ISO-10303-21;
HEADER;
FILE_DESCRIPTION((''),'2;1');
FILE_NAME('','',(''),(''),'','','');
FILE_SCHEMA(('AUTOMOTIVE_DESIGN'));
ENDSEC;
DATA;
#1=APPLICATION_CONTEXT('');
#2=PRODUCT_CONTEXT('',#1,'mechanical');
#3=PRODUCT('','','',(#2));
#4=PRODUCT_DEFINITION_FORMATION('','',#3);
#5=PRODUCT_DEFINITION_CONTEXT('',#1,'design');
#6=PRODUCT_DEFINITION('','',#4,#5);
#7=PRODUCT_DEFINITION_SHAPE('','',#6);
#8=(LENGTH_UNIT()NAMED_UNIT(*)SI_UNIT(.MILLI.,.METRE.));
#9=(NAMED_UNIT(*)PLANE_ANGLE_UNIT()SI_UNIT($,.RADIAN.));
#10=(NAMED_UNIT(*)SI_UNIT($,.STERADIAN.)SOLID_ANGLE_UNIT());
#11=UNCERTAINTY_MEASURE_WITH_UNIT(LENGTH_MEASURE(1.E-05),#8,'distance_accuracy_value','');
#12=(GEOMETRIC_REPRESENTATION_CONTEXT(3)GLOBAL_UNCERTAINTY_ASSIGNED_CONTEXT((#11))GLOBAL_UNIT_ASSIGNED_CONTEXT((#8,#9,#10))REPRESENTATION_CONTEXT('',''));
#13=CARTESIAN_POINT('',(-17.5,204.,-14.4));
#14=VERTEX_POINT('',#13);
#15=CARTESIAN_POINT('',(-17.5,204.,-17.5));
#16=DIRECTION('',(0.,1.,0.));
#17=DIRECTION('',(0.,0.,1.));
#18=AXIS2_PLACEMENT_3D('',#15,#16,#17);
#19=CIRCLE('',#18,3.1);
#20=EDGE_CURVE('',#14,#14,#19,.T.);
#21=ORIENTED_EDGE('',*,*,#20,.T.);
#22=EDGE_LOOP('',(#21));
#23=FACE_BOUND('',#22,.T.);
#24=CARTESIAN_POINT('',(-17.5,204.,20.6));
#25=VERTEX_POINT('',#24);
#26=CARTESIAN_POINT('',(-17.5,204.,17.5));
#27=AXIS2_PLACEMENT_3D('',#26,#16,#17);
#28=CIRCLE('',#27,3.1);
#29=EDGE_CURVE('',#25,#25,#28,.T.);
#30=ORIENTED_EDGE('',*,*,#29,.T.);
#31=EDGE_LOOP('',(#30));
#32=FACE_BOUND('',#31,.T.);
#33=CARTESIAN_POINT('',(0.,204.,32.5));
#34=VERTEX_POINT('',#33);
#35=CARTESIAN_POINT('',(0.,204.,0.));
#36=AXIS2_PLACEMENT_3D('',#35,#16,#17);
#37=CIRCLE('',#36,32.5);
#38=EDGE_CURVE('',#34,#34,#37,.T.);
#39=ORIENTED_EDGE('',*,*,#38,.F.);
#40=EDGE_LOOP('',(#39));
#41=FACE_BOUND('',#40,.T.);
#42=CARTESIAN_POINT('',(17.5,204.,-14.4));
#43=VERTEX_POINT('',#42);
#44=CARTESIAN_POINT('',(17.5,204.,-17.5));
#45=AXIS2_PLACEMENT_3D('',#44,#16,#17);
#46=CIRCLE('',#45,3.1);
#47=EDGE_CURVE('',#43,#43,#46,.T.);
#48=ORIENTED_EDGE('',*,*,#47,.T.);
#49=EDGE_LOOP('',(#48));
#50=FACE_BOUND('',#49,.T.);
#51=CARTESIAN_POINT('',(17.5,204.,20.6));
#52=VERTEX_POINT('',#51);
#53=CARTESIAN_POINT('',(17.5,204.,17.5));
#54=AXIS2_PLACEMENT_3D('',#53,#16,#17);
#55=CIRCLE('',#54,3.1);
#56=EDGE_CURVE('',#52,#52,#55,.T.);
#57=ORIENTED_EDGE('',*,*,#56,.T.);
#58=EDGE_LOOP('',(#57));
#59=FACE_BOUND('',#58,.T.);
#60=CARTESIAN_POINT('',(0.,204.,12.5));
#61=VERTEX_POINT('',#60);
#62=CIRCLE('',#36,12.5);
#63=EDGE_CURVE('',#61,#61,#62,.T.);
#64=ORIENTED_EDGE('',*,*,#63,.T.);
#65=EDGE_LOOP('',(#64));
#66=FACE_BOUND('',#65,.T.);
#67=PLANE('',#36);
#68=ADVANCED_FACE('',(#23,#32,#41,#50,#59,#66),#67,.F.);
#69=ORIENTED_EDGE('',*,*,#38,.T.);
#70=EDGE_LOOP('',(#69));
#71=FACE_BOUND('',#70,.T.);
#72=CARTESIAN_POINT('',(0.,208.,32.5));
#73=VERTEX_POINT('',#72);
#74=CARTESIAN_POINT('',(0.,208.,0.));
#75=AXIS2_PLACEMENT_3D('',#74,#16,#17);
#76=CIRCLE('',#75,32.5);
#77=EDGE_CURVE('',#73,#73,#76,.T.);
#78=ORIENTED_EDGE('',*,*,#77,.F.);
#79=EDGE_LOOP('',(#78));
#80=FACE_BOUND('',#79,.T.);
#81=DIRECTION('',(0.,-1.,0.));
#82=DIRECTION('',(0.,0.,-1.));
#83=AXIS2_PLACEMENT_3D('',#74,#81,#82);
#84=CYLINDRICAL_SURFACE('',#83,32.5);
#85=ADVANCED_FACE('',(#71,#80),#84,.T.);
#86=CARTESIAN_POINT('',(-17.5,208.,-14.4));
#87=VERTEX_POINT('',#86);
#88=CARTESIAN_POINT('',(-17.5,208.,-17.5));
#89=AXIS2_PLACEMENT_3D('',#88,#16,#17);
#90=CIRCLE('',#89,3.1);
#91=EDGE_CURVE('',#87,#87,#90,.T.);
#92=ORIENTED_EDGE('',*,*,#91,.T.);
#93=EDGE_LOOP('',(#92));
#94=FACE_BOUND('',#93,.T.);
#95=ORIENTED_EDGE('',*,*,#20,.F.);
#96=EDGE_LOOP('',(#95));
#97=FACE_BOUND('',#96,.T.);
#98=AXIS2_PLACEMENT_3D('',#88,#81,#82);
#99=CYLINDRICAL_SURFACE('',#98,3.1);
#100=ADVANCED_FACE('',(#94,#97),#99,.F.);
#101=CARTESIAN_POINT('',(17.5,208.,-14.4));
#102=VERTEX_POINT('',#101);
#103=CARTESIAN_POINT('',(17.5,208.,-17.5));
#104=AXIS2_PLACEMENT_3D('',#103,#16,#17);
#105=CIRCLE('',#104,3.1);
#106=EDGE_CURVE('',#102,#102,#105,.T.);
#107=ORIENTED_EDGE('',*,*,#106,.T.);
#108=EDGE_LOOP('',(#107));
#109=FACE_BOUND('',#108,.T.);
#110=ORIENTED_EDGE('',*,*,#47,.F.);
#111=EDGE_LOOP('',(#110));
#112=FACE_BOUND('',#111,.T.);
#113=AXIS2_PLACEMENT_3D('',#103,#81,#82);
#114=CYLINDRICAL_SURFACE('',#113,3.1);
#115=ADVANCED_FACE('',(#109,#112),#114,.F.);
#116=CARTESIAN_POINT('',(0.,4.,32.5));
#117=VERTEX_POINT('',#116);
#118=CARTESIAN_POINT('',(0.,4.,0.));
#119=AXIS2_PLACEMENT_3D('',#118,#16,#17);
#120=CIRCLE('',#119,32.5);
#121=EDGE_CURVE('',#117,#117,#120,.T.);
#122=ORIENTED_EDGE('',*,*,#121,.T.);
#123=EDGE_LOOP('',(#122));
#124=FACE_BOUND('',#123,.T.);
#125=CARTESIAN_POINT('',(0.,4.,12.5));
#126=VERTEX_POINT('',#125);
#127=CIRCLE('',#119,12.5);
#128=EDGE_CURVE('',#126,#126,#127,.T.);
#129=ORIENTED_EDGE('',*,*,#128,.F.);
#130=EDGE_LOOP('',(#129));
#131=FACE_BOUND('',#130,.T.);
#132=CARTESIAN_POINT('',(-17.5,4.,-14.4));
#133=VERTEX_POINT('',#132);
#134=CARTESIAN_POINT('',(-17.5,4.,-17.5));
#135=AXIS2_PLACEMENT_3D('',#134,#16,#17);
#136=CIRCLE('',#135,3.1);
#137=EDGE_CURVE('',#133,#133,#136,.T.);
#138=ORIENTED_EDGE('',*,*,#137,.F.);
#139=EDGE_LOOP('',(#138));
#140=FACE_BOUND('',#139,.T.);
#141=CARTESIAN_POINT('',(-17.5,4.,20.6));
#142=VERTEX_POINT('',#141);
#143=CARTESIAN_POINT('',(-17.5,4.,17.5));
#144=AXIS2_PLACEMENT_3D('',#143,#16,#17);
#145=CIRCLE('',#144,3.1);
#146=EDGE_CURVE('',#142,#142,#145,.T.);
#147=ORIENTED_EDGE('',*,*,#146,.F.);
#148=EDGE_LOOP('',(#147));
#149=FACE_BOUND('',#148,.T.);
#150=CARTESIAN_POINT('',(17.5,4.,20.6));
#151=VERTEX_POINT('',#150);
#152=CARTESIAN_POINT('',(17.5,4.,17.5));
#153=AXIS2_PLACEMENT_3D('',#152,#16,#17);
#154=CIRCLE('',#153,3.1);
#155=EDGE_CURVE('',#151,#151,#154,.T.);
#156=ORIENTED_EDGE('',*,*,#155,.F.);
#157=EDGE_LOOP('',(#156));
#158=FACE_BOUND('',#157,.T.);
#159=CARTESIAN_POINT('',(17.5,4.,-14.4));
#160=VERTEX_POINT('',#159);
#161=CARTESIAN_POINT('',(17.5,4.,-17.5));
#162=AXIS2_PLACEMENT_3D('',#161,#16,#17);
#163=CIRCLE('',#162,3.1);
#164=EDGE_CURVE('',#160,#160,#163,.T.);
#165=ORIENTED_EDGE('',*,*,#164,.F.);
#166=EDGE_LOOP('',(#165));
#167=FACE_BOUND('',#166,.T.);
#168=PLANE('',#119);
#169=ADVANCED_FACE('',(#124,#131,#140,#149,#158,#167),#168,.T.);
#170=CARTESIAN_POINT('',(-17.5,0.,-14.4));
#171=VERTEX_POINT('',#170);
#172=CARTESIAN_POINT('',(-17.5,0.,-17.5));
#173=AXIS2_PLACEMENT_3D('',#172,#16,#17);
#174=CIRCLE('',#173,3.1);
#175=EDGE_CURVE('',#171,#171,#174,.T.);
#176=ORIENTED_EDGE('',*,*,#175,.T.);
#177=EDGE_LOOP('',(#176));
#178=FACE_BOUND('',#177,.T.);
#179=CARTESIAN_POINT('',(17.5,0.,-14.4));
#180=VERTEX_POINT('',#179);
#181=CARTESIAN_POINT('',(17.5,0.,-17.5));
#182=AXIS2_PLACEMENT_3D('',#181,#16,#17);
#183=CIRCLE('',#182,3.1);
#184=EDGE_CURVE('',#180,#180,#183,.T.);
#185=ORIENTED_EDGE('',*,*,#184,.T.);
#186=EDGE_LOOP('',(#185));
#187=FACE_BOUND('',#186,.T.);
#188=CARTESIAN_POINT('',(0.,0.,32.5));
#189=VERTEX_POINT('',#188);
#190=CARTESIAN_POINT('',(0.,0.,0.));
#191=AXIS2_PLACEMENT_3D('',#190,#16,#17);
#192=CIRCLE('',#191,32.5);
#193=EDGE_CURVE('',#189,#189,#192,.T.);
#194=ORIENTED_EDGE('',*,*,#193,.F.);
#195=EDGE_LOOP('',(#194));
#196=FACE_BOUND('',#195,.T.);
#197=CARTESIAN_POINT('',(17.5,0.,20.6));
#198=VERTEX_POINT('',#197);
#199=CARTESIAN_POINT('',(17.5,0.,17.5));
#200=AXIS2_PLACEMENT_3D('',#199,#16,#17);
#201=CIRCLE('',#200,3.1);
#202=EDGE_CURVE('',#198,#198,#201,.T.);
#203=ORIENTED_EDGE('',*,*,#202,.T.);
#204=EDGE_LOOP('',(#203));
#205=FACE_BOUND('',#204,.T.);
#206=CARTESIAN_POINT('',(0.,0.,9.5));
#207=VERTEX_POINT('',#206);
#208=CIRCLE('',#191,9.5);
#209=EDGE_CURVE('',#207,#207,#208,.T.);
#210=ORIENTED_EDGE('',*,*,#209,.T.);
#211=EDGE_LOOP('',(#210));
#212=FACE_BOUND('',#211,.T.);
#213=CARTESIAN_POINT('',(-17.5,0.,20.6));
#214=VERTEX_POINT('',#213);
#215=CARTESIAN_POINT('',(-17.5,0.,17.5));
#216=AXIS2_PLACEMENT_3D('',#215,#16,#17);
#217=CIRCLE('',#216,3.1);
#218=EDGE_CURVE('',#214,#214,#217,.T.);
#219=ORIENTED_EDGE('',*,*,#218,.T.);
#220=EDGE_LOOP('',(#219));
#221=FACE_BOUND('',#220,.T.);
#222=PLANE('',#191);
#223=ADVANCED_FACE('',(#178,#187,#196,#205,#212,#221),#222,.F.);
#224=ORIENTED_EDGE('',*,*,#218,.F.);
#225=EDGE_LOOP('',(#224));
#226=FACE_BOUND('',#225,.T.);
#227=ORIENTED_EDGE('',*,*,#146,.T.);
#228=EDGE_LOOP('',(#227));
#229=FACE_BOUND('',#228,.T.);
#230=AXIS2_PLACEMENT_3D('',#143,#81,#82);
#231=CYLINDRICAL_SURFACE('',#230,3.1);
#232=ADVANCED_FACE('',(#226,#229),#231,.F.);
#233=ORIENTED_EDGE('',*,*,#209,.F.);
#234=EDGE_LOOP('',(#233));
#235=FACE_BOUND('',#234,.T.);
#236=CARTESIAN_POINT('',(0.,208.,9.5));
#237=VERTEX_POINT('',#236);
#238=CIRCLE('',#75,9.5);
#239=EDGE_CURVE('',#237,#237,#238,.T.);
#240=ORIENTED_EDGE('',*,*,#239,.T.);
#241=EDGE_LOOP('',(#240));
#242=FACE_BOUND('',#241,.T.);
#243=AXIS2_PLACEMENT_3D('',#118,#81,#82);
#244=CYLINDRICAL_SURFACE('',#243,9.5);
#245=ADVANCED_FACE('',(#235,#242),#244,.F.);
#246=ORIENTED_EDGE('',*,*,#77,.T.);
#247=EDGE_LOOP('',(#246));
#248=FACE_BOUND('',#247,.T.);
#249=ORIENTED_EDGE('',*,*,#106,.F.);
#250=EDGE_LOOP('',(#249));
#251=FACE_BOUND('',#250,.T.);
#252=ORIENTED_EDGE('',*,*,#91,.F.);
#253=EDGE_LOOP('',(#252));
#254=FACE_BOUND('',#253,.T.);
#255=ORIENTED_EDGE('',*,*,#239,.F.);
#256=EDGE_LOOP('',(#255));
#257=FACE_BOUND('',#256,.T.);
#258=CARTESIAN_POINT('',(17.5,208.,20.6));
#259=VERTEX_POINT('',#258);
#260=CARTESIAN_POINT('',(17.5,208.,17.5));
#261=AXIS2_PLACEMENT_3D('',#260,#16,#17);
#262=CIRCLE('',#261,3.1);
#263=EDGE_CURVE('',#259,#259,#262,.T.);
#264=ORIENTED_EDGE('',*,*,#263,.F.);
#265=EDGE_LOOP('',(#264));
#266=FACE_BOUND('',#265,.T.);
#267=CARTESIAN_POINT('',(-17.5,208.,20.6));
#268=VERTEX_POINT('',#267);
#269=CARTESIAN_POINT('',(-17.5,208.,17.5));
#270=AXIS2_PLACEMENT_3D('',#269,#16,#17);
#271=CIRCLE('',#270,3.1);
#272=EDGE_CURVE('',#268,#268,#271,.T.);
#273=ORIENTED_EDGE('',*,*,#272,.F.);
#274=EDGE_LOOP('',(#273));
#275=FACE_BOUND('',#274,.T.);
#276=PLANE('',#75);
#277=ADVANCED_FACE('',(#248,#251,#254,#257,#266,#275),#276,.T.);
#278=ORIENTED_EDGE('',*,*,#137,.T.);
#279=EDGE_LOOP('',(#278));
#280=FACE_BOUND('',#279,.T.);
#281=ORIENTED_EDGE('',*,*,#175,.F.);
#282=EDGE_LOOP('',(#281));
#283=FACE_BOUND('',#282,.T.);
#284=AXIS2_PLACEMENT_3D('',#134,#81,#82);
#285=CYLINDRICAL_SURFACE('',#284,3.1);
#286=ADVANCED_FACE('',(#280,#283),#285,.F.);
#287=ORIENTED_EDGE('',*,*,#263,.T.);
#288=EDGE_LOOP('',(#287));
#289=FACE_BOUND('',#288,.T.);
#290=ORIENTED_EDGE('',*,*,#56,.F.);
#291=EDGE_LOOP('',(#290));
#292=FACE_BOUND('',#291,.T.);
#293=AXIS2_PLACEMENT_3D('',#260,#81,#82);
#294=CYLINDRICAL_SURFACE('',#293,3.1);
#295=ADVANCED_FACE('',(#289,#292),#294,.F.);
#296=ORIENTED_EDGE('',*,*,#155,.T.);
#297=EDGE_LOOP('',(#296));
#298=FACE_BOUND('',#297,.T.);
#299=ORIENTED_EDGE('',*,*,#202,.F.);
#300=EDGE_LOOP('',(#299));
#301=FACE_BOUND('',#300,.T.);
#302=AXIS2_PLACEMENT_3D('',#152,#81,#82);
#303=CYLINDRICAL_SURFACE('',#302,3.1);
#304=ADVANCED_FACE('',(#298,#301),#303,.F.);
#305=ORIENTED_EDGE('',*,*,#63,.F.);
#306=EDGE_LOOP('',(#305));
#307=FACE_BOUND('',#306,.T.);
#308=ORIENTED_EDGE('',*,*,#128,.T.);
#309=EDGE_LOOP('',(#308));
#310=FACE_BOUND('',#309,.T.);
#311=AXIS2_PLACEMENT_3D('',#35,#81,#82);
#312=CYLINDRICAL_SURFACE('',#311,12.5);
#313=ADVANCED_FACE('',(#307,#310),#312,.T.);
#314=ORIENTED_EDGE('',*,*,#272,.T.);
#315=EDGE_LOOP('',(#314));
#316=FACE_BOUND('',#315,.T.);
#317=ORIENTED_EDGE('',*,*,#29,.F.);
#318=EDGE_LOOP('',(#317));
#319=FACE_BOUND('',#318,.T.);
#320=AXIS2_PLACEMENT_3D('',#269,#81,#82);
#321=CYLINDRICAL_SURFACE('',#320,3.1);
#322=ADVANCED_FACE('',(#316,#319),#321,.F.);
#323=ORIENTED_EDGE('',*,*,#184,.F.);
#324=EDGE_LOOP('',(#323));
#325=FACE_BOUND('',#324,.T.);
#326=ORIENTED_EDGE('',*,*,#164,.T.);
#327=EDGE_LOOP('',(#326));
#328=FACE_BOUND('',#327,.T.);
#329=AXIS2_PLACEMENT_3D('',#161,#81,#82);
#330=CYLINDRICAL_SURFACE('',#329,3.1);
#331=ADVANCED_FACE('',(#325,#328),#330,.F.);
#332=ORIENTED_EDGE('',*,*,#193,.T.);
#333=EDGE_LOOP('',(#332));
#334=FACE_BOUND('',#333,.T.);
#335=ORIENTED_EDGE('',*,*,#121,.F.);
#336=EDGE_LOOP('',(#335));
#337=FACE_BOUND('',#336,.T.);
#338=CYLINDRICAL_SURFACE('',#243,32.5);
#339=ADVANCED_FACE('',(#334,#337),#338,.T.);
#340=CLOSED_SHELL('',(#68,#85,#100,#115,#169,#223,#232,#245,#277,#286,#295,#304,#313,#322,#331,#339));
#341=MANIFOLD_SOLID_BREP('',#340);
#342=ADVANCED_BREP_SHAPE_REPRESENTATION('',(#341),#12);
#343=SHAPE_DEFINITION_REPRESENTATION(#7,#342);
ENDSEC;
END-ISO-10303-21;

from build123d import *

# Parameters (mm, degrees)
SKETCH1_R           = 32.5
SKETCH1_R_2         = 9.5
SKETCH1_R_3         = 3.1
BOSS_EXTRUDE1_DEPTH = 4
SKETCH2_R           = 12.5
SKETCH2_R_2         = 9.5
BOSS_EXTRUDE2_DEPTH = 200
SKETCH3_R           = 32.5
SKETCH3_R_2         = 3.1
SKETCH3_R_3         = 9.5
BOSS_EXTRUDE3_DEPTH = 4


with BuildPart() as part:
    # Sketch1 → Boss-Extrude1 (new body)
    with BuildSketch(Plane(origin=(0, 0, 0), x_dir=(1, 0, 0), z_dir=(0, 1, 0))):
        with Locations(Location((0, 0, 0), (0, 0, 270))):
            Circle(SKETCH1_R)
        with Locations(Location((0, 0, 0), (0, 0, 270))):
            Circle(SKETCH1_R_2, mode=Mode.SUBTRACT)
        with Locations(Location((-17.5, 17.5, 0), (0, 0, 270))):
            Circle(SKETCH1_R_3, mode=Mode.SUBTRACT)
        with Locations(Location((17.5, 17.5, 0), (0, 0, 270))):
            Circle(SKETCH1_R_3, mode=Mode.SUBTRACT)
        with Locations(Location((17.5, -17.5, 0), (0, 0, 270))):
            Circle(SKETCH1_R_3, mode=Mode.SUBTRACT)
        with Locations(Location((-17.5, -17.5, 0), (0, 0, 270))):
            Circle(SKETCH1_R_3, mode=Mode.SUBTRACT)
    extrude(amount=BOSS_EXTRUDE1_DEPTH)

    # Sketch2 → Boss-Extrude2 (add)
    with BuildSketch(Plane(origin=(0, 4, 0), x_dir=(1, 0, 0), z_dir=(0, 1, 0))):
        with Locations(Location((0, 0, 0), (0, 0, 270))):
            Circle(SKETCH2_R)
        with Locations(Location((0, 0, 0), (0, 0, 270))):
            Circle(SKETCH2_R_2, mode=Mode.SUBTRACT)
    extrude(amount=BOSS_EXTRUDE2_DEPTH)

    # Sketch3 → Boss-Extrude3 (add)
    with BuildSketch(Plane(origin=(0, 204, 0), x_dir=(1, 0, 0), z_dir=(0, 1, 0))):
        with Locations(Location((0, 0, 0), (0, 0, 270))):
            Circle(SKETCH3_R)
        with Locations(Location((-17.5, 17.5, 0), (0, 0, 270))):
            Circle(SKETCH3_R_2, mode=Mode.SUBTRACT)
        with Locations(Location((17.5, 17.5, 0), (0, 0, 270))):
            Circle(SKETCH3_R_2, mode=Mode.SUBTRACT)
        with Locations(Location((17.5, -17.5, 0), (0, 0, 270))):
            Circle(SKETCH3_R_2, mode=Mode.SUBTRACT)
        with Locations(Location((-17.5, -17.5, 0), (0, 0, 270))):
            Circle(SKETCH3_R_2, mode=Mode.SUBTRACT)
        with Locations(Location((0, 0, 0), (0, 0, 270))):
            Circle(SKETCH3_R_3, mode=Mode.SUBTRACT)
    extrude(amount=BOSS_EXTRUDE3_DEPTH)


solid = part.part
